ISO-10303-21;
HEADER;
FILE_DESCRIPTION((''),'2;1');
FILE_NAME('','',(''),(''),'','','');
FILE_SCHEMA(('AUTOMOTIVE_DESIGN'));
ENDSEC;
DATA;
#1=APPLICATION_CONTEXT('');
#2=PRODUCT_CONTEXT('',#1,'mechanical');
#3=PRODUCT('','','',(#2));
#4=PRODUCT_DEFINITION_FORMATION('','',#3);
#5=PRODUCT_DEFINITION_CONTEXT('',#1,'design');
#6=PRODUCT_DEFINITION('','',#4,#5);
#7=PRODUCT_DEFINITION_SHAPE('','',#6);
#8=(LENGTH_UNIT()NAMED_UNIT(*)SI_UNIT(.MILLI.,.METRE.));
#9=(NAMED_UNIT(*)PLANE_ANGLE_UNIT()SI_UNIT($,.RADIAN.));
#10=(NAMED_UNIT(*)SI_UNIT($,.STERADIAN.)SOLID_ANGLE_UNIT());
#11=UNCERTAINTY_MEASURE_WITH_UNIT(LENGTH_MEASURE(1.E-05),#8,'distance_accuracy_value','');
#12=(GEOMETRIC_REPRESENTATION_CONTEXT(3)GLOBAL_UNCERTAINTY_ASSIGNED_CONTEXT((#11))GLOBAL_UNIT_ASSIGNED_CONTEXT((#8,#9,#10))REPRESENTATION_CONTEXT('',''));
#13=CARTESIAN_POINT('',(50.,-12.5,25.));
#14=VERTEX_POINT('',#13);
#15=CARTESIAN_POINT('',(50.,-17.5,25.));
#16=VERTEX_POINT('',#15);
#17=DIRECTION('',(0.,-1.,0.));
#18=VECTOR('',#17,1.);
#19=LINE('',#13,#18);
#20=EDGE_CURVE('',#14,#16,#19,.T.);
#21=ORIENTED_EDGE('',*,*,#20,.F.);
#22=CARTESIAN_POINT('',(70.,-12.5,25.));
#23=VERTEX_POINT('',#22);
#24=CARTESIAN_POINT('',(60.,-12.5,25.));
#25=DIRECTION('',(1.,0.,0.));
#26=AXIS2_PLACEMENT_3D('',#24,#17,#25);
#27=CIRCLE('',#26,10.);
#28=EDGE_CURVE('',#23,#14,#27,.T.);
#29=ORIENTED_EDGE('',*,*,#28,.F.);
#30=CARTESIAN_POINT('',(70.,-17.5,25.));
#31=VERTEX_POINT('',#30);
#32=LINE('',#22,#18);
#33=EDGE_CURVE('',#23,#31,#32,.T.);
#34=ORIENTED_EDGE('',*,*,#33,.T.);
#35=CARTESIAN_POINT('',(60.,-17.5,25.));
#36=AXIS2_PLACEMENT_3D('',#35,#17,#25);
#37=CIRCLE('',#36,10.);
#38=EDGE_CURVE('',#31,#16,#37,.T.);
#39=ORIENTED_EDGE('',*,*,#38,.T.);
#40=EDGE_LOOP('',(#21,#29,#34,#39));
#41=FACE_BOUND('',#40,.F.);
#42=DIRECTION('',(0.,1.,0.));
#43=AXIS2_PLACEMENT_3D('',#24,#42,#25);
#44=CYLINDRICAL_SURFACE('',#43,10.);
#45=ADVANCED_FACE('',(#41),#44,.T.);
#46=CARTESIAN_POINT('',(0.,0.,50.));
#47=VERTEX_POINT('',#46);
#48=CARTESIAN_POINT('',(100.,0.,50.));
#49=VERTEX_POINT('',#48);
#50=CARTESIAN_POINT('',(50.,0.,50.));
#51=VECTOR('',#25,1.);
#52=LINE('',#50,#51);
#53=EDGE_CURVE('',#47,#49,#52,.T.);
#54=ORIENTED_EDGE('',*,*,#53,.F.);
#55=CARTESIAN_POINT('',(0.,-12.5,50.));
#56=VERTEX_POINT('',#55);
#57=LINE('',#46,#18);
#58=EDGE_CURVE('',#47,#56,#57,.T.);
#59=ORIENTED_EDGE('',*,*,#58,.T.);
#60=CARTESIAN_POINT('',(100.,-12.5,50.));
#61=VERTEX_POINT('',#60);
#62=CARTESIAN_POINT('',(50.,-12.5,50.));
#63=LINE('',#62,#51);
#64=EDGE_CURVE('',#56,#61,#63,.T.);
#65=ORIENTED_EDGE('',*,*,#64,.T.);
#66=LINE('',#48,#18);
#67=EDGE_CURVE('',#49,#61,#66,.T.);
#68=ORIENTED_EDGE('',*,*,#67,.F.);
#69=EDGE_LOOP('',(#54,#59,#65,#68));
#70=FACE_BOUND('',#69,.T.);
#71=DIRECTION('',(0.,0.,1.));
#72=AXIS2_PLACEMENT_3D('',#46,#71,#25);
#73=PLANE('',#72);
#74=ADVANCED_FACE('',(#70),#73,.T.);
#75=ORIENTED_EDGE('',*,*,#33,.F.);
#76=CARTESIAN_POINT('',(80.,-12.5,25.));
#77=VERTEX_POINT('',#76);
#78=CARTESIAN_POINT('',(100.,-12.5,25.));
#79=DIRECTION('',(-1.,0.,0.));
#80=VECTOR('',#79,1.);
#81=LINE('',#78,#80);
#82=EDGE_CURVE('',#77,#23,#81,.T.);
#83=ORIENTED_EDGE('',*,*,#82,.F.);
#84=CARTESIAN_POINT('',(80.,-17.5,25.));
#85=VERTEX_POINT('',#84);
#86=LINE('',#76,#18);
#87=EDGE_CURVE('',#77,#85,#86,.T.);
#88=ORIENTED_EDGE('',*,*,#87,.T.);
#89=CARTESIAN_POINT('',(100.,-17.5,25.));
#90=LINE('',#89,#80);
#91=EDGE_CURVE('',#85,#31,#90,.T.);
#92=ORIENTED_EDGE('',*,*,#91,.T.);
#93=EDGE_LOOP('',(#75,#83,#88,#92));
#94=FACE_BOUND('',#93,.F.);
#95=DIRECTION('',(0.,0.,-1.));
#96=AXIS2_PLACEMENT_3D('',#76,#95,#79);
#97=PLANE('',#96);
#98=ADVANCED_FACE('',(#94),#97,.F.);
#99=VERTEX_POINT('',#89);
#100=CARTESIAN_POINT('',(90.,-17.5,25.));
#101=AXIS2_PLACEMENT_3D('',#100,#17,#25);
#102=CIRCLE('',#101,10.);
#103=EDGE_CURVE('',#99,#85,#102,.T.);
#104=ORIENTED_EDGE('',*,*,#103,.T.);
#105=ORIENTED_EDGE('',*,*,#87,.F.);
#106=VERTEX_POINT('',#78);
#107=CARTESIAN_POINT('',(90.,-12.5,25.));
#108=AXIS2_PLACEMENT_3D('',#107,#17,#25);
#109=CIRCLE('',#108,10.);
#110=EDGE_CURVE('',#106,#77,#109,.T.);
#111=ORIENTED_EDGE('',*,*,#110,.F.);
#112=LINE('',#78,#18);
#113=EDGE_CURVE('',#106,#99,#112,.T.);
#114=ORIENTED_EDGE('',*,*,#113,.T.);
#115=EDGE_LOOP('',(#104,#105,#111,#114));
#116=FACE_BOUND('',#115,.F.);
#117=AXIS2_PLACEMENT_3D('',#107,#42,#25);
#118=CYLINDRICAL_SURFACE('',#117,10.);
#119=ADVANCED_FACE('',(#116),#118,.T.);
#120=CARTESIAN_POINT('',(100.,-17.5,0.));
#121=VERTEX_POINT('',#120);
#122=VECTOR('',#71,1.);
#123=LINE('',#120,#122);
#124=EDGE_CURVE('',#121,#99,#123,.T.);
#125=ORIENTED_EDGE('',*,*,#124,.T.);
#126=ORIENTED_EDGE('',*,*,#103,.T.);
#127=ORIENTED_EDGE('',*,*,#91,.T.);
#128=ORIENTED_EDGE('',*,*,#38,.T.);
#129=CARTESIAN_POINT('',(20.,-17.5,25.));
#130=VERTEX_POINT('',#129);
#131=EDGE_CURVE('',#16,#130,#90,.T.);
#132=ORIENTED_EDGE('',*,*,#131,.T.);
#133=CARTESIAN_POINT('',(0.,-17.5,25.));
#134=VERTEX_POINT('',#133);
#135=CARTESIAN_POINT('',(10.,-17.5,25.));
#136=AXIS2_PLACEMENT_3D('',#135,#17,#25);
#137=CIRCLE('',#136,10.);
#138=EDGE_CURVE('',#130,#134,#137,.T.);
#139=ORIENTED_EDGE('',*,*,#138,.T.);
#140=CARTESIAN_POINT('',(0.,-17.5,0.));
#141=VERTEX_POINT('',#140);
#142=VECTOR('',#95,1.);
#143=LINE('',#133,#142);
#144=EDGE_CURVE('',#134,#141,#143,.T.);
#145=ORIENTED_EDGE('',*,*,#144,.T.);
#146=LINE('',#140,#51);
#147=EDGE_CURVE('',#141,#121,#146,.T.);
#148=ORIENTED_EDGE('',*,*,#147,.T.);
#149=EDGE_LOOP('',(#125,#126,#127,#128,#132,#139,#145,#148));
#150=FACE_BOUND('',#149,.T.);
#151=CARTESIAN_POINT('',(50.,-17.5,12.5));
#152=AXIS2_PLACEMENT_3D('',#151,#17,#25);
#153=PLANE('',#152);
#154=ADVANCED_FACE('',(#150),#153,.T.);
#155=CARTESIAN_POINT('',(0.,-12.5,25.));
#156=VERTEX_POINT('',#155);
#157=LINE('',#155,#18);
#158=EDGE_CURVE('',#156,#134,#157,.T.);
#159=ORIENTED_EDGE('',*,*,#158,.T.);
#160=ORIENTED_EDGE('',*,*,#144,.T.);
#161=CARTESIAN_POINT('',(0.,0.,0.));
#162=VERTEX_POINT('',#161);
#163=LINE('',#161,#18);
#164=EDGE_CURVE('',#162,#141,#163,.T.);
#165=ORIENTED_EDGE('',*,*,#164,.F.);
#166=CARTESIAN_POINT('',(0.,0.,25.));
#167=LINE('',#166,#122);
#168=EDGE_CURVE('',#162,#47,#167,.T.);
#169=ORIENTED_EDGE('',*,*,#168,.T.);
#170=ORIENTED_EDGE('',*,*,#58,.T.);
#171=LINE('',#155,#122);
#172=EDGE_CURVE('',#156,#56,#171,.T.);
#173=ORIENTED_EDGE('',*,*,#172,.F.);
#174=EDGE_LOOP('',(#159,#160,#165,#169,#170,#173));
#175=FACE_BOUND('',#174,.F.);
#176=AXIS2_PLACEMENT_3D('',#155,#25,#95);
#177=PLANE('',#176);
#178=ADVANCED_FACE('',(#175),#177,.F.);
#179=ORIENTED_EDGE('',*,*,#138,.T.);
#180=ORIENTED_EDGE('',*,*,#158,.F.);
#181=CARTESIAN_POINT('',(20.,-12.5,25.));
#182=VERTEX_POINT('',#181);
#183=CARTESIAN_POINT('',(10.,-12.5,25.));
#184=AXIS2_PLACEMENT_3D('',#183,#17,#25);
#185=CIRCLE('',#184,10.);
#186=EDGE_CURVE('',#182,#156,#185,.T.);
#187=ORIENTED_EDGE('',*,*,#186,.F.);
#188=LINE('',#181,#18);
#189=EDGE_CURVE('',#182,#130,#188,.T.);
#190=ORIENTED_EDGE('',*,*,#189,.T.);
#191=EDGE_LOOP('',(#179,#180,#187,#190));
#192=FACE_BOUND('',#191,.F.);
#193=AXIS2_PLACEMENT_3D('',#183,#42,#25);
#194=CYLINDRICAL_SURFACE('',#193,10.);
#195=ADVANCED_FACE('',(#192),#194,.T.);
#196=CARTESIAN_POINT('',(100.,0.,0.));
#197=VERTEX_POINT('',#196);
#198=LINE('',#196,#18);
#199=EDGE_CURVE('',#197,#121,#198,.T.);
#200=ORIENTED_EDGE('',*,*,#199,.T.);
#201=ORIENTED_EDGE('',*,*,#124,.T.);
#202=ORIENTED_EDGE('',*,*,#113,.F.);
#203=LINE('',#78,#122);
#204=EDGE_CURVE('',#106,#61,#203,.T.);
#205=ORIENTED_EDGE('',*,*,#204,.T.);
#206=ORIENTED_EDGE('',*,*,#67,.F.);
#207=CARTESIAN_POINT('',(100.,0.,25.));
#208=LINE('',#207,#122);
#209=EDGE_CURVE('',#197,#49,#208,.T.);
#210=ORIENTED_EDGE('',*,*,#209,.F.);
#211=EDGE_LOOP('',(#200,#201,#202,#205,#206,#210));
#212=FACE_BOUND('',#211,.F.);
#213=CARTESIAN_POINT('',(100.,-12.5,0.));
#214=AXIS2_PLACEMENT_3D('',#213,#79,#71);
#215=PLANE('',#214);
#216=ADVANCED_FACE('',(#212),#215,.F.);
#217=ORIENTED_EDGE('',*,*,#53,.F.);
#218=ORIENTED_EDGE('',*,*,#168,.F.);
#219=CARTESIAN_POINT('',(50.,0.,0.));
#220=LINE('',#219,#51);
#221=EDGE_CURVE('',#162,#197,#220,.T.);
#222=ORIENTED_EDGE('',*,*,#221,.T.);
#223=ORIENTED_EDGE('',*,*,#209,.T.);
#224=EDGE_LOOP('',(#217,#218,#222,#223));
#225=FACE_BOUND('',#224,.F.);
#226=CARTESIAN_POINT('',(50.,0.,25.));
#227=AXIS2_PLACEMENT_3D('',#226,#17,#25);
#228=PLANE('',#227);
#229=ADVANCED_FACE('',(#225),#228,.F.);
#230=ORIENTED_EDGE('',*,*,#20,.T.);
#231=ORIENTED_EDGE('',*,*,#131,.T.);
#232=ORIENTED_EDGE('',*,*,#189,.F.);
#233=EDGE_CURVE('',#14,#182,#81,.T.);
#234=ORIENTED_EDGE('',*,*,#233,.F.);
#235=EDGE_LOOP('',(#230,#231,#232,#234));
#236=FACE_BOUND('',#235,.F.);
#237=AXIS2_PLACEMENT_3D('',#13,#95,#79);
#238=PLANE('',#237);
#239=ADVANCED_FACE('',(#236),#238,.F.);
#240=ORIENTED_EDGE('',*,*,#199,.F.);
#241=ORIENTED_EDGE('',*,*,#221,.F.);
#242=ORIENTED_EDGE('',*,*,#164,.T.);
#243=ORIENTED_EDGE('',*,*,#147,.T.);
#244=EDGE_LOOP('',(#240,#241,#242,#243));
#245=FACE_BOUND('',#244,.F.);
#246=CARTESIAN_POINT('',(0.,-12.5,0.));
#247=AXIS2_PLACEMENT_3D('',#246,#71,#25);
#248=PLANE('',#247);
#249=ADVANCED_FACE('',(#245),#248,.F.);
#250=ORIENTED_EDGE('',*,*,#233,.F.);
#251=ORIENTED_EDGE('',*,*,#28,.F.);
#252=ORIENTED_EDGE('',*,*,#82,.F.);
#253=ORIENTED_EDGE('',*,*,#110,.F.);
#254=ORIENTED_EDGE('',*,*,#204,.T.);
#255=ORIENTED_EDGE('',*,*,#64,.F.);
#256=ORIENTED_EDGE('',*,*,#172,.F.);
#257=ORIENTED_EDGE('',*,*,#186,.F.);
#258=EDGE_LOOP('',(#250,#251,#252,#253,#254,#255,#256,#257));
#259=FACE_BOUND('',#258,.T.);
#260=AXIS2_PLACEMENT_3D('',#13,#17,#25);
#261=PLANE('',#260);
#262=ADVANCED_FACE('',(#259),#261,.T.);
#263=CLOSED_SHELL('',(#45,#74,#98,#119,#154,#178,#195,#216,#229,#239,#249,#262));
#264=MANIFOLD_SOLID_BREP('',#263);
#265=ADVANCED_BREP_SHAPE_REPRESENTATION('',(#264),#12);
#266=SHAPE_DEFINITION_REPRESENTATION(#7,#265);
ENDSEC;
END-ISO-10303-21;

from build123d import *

# Parameters (mm, degrees)
F0_W     = 100
F0_H     = 50
F1_DEPTH = 12.5
F3_DEPTH = 5


with BuildPart() as f1:
    # F0 (on Front) → F1 (new body)
    with BuildSketch(Plane.XZ):
        with Locations((50, 25)):
            Rectangle(F0_W, F0_H)
    extrude(amount=F1_DEPTH)

    # F2 (on face) → F3 (join)
    with BuildSketch(Plane.XZ.offset(12.5)):
        Polygon((20, 25), (0, 25), (0, 0), (100, 0), (100, 25), (80, 25), (70, 25), (50, 25), align=None)
        with BuildLine():
            ThreePointArc((20, 25), (10, 35), (0, 25))
            Line((0, 25), (20, 25))
        make_face()
        with BuildLine():
            ThreePointArc((70, 25), (60, 35), (50, 25))
            Line((50, 25), (70, 25))
        make_face()
        with BuildLine():
            Line((80, 25), (100, 25))
            ThreePointArc((100, 25), (90, 35), (80, 25))
        make_face()
    extrude(amount=F3_DEPTH)


solid = f1.part
